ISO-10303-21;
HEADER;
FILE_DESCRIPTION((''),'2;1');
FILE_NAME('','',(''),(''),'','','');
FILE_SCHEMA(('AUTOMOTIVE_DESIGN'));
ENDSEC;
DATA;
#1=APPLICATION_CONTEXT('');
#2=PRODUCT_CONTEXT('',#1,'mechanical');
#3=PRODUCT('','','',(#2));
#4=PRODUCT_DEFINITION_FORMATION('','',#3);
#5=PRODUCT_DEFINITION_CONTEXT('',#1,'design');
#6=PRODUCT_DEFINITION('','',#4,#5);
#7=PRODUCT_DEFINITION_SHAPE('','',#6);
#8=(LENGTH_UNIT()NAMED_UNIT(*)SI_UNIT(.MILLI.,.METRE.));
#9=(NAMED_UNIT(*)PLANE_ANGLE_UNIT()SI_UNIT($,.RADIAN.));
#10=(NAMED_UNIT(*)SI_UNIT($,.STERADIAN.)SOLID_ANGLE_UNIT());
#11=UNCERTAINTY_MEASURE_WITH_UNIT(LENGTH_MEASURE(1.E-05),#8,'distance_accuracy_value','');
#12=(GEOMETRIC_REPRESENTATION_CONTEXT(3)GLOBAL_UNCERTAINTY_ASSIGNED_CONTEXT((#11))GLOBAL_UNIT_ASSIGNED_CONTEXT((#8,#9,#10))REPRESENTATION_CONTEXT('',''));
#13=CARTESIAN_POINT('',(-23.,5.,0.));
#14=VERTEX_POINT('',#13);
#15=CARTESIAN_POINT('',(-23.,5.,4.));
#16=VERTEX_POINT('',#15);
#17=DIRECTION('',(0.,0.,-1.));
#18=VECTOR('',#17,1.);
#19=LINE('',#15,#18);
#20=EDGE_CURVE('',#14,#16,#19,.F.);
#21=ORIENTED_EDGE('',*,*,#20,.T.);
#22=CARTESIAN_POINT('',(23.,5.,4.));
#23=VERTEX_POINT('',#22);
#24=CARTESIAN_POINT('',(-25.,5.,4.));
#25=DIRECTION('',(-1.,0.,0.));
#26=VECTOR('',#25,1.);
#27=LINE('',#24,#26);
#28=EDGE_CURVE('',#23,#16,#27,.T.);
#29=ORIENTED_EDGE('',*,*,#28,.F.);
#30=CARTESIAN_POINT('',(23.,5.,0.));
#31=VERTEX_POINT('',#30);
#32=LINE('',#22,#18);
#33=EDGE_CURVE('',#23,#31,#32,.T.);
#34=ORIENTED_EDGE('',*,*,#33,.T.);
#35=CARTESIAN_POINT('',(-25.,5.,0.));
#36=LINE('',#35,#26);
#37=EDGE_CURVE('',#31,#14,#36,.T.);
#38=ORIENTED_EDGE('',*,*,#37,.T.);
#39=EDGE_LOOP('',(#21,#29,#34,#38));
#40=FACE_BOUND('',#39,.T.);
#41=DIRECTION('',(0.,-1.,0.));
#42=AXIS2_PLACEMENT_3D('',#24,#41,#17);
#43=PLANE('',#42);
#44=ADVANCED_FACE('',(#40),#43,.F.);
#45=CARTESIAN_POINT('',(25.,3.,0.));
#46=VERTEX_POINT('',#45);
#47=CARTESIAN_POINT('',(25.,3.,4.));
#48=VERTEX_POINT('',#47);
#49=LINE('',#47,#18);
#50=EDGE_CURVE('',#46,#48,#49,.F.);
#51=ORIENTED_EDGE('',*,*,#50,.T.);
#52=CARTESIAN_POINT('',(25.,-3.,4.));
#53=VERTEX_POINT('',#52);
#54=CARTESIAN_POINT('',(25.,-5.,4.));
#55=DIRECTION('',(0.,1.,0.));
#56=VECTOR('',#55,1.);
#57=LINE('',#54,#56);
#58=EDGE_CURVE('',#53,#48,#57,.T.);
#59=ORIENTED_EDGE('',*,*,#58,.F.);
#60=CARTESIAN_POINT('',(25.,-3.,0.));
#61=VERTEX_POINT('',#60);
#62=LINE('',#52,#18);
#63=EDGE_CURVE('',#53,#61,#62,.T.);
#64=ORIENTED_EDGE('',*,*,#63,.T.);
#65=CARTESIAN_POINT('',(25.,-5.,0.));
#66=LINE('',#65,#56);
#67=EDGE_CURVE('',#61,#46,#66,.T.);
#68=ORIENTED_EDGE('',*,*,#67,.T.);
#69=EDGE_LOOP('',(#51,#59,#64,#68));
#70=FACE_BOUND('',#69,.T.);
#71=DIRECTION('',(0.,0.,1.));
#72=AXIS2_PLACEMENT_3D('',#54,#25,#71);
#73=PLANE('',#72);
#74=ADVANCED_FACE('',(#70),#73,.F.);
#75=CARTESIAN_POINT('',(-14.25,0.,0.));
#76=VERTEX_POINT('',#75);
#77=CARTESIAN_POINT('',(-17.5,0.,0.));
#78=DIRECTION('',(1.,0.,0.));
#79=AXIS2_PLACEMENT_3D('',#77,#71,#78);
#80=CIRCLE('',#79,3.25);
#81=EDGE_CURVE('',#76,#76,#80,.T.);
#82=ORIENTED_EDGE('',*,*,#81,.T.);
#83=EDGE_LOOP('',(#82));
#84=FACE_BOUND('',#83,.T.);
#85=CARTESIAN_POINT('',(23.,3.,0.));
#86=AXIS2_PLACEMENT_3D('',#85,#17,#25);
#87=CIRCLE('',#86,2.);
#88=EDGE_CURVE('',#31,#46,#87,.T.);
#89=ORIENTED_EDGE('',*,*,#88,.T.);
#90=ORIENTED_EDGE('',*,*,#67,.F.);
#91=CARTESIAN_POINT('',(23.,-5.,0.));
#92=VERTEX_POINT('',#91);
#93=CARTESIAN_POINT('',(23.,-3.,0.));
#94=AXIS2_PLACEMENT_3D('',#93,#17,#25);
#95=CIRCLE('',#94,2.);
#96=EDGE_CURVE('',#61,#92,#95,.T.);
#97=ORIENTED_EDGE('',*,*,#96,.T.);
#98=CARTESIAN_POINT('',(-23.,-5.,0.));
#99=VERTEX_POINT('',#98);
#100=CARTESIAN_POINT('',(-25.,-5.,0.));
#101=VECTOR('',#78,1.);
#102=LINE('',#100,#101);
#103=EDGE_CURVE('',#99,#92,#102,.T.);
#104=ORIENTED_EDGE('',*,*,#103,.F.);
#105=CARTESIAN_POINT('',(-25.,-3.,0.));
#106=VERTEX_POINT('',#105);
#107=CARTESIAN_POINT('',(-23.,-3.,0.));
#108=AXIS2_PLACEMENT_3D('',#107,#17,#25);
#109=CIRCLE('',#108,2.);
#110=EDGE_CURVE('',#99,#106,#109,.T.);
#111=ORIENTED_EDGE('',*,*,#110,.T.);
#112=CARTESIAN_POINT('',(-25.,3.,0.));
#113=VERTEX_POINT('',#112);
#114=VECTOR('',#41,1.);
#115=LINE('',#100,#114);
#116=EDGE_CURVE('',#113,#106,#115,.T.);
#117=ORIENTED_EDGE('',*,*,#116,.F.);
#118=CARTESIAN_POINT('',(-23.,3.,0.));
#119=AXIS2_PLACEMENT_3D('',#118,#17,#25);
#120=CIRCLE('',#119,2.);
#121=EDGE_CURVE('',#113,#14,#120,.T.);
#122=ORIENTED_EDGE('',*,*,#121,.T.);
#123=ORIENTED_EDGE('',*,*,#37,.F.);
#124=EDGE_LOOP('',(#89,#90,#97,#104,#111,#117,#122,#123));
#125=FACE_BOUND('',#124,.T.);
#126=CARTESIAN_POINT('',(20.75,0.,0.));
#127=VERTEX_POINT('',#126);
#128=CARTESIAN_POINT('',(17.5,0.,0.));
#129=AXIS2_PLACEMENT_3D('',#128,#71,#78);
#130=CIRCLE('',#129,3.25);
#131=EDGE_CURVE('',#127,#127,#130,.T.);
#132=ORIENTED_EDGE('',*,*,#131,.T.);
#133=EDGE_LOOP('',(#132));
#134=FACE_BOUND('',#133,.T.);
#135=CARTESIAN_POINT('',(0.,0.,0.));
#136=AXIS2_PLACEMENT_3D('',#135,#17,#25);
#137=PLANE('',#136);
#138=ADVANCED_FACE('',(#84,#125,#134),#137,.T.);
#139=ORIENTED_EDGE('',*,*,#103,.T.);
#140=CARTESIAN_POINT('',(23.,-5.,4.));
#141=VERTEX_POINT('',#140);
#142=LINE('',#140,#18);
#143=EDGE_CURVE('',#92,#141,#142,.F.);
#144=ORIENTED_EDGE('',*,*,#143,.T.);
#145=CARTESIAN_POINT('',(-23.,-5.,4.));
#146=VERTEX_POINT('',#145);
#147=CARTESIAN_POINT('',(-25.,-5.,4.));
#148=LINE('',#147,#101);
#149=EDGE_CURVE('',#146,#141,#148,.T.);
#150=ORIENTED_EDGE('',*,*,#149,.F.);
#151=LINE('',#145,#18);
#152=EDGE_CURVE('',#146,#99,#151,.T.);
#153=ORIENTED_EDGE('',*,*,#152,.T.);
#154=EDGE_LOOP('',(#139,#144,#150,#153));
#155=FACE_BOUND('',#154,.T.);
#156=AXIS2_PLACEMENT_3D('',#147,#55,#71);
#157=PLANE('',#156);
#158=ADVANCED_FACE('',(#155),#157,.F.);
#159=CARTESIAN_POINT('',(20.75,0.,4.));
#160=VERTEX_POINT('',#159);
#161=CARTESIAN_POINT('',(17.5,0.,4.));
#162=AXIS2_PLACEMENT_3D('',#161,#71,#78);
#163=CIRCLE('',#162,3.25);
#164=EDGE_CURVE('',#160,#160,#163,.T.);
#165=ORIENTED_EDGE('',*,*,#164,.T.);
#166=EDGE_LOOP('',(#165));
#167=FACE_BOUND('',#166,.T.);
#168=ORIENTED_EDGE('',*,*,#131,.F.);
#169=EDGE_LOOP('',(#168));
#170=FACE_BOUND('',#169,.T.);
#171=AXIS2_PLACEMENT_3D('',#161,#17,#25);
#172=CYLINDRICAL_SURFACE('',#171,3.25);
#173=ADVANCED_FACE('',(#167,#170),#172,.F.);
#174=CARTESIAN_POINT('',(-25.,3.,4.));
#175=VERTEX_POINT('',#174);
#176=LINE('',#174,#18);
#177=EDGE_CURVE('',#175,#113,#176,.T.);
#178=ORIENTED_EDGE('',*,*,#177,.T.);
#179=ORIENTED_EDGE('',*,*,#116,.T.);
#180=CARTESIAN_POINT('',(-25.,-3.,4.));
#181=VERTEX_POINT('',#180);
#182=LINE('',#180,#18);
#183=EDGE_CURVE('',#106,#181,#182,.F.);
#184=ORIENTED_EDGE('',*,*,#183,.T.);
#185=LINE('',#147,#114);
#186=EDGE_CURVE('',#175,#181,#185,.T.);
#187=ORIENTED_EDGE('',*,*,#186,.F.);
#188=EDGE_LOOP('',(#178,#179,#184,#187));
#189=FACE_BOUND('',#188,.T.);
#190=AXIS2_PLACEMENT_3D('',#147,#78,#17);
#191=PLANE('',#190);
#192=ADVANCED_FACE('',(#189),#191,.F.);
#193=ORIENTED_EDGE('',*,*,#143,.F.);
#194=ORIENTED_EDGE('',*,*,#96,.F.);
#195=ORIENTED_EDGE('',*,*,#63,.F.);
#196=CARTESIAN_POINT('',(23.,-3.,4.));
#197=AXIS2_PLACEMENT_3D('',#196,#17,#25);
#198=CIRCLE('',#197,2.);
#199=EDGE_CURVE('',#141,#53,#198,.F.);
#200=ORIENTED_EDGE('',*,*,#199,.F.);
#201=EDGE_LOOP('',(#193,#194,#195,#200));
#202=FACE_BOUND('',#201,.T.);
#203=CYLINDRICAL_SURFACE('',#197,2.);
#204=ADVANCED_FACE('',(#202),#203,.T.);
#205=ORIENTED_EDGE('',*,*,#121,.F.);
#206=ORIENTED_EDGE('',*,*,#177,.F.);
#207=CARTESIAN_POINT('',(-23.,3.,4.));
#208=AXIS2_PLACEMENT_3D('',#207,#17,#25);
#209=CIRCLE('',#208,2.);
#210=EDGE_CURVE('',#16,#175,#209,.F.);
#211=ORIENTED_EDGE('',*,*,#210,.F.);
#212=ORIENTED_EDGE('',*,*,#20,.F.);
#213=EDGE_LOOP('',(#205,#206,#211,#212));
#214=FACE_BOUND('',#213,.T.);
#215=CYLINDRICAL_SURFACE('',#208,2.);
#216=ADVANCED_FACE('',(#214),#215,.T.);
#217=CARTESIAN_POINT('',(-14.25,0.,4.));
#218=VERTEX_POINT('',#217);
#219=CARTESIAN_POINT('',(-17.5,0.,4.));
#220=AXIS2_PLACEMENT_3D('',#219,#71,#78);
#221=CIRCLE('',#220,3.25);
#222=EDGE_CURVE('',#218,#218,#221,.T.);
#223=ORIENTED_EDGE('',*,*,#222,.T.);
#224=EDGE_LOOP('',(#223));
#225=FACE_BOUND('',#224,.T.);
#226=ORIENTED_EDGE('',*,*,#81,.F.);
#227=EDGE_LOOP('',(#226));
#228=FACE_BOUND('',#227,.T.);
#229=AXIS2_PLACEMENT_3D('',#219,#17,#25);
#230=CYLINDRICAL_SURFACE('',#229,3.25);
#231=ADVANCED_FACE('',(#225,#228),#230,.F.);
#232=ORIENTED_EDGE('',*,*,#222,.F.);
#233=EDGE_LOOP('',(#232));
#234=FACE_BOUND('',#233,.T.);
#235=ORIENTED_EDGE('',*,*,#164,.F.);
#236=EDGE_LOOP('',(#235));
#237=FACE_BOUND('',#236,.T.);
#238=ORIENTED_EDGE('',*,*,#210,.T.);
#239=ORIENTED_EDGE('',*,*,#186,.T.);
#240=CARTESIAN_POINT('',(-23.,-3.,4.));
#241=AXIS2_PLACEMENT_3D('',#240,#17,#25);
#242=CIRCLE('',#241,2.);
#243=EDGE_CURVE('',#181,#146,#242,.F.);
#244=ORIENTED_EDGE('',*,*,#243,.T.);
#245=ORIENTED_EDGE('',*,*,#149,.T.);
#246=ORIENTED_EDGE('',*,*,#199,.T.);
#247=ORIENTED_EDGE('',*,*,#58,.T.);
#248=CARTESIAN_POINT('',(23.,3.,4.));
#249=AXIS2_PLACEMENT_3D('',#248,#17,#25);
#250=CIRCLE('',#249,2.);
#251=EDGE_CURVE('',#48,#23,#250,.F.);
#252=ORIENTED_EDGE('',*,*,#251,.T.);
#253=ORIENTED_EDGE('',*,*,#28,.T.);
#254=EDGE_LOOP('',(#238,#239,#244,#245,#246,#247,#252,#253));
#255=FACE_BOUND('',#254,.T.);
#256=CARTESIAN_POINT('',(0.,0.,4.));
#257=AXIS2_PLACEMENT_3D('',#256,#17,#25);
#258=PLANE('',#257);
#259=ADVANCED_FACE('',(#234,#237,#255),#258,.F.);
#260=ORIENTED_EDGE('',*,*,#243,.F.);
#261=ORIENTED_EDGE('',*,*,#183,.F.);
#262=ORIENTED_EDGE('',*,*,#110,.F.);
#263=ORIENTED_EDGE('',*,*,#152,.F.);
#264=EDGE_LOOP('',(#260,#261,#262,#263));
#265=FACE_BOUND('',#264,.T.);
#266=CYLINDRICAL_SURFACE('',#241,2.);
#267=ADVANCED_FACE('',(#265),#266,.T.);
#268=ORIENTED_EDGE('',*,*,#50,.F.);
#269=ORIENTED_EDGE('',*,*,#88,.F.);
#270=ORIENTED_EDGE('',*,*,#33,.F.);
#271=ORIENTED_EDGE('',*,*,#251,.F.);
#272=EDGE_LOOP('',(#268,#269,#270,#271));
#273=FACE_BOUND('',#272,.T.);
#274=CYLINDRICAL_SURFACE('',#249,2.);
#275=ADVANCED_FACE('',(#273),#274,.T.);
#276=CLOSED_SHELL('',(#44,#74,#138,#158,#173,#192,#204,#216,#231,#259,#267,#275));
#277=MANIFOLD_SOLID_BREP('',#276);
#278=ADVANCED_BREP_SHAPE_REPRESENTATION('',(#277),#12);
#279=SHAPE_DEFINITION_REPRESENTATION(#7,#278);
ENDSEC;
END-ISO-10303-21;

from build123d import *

# Parameters (mm, degrees)
ESQUISSE1_W        = 50
ESQUISSE1_H        = 10
ESQUISSE1_R        = 3.25
BOSS_EXTRU_1_DEPTH = 4
CONG_1_R           = 2


with BuildPart() as part:
    # Esquisse1 → Boss.-Extru.1 (new body)
    with BuildSketch(Plane.XY):
        Rectangle(ESQUISSE1_W, ESQUISSE1_H)
        with Locations((17.5, 0)):
            Circle(ESQUISSE1_R, mode=Mode.SUBTRACT)
        with Locations((-17.5, 0)):
            Circle(ESQUISSE1_R, mode=Mode.SUBTRACT)
    extrude(amount=BOSS_EXTRU_1_DEPTH)

    # Congé1
    cong_1_edges = [part.edges().sort_by_distance(p)[0] for p in [
        (-25, 5, 2),
        (25, 5, 2),
        (25, -5, 2),
        (-25, -5, 2),
    ]]
    fillet(cong_1_edges, radius=CONG_1_R)


solid = part.part
